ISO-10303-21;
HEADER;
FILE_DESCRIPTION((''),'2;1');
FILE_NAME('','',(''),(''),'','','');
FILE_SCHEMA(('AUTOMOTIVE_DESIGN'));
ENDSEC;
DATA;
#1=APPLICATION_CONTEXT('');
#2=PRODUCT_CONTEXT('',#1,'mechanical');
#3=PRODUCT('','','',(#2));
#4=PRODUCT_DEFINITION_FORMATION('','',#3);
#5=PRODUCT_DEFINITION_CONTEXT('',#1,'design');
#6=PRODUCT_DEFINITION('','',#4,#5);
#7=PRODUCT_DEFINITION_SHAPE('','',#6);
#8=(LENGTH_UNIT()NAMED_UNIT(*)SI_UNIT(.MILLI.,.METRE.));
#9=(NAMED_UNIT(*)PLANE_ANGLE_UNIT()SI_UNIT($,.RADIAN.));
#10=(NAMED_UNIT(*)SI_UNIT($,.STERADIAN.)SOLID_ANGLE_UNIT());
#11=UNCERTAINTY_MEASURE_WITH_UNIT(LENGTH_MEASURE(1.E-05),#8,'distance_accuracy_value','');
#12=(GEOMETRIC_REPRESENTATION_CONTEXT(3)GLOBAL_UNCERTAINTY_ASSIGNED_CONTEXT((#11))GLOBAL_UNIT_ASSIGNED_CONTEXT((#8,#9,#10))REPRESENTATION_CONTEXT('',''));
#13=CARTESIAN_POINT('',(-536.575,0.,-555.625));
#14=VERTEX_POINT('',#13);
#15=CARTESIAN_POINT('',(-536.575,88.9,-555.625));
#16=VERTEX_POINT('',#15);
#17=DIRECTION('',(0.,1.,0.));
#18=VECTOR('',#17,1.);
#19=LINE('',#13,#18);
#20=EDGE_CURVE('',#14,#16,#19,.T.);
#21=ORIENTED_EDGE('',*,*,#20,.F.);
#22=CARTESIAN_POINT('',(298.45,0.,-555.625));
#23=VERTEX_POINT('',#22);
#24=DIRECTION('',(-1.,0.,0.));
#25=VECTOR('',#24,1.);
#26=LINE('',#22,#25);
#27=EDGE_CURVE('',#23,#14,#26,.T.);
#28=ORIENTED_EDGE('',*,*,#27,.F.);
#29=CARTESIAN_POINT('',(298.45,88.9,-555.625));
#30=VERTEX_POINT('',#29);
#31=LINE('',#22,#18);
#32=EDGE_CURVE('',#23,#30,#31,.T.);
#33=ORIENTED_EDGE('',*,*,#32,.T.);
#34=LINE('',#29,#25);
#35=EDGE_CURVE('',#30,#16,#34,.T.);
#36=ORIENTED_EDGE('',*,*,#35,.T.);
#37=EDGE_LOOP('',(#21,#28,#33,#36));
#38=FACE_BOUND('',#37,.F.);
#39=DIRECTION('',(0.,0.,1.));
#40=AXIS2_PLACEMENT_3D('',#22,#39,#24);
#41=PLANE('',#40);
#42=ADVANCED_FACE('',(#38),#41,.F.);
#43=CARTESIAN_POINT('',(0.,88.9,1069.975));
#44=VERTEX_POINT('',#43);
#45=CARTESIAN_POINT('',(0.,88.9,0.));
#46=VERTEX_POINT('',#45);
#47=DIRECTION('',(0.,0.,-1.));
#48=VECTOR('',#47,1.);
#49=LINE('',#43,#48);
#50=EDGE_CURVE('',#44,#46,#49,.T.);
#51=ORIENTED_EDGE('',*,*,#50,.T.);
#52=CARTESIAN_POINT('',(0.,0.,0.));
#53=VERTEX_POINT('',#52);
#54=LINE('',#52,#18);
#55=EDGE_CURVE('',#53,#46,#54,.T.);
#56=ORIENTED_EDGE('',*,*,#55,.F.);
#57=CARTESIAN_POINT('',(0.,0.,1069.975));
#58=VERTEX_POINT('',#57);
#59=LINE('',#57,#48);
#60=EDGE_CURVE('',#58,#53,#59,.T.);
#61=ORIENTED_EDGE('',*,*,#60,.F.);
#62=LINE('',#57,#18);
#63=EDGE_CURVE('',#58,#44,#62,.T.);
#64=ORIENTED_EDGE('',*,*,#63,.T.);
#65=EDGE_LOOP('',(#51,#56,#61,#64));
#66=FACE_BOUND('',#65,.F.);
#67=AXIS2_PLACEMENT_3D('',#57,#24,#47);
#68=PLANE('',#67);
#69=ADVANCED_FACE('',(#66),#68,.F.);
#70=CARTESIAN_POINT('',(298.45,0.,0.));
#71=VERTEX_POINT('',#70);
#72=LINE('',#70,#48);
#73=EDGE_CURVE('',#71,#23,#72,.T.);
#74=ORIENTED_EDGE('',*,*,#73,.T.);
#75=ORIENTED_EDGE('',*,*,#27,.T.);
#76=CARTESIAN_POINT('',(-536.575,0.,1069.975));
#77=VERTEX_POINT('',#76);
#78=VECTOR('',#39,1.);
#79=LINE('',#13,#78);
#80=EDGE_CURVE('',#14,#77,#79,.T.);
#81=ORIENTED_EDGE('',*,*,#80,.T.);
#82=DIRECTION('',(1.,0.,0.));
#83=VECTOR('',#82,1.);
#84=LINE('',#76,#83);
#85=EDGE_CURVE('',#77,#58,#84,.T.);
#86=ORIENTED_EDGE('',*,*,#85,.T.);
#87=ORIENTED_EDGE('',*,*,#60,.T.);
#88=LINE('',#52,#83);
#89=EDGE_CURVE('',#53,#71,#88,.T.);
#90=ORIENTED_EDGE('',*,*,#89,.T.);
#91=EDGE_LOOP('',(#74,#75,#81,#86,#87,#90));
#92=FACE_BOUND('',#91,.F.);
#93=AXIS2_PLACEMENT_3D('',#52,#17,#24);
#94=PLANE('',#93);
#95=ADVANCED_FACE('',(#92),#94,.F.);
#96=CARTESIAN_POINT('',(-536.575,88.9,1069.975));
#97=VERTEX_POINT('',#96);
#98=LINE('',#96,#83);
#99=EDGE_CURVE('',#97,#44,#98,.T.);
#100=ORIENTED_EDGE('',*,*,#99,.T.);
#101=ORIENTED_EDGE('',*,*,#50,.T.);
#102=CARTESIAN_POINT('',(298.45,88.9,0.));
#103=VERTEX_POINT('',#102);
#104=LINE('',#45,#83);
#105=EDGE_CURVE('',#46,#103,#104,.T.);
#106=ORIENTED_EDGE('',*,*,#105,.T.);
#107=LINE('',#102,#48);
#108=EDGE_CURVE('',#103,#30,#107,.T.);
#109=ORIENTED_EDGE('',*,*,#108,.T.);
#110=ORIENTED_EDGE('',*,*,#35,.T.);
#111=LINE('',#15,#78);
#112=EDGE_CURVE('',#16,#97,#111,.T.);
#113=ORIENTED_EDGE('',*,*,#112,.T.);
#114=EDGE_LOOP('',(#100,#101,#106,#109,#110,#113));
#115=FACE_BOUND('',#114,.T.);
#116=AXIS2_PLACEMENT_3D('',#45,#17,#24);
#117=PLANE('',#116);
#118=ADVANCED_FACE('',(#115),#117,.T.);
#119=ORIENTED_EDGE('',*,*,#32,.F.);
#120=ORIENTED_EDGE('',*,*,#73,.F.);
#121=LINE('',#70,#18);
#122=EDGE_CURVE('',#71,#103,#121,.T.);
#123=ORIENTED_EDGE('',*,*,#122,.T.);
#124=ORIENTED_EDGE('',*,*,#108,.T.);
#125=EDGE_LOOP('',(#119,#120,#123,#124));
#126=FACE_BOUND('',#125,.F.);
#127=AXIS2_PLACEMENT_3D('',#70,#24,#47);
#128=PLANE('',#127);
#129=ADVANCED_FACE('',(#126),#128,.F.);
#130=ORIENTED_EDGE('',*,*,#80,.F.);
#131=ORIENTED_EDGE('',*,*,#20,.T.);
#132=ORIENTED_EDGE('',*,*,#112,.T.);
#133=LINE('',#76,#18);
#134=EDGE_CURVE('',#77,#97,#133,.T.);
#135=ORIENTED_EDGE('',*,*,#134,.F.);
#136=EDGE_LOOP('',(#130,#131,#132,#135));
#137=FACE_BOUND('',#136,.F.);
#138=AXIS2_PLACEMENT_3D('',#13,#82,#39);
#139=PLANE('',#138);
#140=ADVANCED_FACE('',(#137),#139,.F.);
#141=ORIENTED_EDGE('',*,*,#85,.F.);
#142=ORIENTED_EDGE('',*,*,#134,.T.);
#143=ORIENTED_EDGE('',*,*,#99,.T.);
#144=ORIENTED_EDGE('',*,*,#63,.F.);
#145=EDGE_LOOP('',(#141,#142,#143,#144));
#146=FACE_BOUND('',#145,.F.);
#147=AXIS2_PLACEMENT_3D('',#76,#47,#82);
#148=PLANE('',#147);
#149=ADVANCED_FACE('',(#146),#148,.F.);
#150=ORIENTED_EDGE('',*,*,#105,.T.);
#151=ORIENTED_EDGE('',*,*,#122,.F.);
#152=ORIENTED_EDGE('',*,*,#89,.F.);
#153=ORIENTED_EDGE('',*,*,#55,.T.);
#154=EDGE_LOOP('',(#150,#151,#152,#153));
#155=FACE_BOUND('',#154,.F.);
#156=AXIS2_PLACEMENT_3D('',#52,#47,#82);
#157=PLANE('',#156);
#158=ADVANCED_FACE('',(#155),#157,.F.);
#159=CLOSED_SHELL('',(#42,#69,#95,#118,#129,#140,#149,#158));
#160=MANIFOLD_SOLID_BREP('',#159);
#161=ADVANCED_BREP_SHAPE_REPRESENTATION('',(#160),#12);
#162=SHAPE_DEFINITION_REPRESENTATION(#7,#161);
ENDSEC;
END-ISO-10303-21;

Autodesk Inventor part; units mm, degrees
ref_plane "YZ Plane" through (0, 0, 0) normal (1, 0, 0) x (0, 1, 0)
ref_plane "XZ Plane" through (0, 0, 0) normal (0, 1, 0) x (-1, 0, 0)
ref_plane "XY Plane" through (0, 0, 0) normal (0, 0, 1) x (1, 0, 0)
sketch "Sketch1" plane through (0, 0, 0) normal (0, 1, 0) x (-1, 0, 0)
  line L0 (536.575, 1069.975) -> (0, 1069.975)
  line L1 (0, 1069.975) -> (0, 0)
  line L2 (0, 0) -> (-298.45, 0)
  line L3 (-298.45, 0) -> (-298.45, -555.625)
  line L4 (-298.45, -555.625) -> (536.575, -555.625)
  line L5 (536.575, -555.625) -> (536.575, 1069.975)
  dimension "d1" = 536.575
  dimension "d2" = 835.025
  dimension "d3" = 555.625
  dimension "d9" = 1069.975
  dimension "d10" = 1625.6
  dimension "d11" = 298.45
extrude "Extrusion1" add sketch "Sketch1" along normal blind 88.9
properties part number "Stand--Sink_and_Corner_Cabinets" material "Wood (Birch)"
